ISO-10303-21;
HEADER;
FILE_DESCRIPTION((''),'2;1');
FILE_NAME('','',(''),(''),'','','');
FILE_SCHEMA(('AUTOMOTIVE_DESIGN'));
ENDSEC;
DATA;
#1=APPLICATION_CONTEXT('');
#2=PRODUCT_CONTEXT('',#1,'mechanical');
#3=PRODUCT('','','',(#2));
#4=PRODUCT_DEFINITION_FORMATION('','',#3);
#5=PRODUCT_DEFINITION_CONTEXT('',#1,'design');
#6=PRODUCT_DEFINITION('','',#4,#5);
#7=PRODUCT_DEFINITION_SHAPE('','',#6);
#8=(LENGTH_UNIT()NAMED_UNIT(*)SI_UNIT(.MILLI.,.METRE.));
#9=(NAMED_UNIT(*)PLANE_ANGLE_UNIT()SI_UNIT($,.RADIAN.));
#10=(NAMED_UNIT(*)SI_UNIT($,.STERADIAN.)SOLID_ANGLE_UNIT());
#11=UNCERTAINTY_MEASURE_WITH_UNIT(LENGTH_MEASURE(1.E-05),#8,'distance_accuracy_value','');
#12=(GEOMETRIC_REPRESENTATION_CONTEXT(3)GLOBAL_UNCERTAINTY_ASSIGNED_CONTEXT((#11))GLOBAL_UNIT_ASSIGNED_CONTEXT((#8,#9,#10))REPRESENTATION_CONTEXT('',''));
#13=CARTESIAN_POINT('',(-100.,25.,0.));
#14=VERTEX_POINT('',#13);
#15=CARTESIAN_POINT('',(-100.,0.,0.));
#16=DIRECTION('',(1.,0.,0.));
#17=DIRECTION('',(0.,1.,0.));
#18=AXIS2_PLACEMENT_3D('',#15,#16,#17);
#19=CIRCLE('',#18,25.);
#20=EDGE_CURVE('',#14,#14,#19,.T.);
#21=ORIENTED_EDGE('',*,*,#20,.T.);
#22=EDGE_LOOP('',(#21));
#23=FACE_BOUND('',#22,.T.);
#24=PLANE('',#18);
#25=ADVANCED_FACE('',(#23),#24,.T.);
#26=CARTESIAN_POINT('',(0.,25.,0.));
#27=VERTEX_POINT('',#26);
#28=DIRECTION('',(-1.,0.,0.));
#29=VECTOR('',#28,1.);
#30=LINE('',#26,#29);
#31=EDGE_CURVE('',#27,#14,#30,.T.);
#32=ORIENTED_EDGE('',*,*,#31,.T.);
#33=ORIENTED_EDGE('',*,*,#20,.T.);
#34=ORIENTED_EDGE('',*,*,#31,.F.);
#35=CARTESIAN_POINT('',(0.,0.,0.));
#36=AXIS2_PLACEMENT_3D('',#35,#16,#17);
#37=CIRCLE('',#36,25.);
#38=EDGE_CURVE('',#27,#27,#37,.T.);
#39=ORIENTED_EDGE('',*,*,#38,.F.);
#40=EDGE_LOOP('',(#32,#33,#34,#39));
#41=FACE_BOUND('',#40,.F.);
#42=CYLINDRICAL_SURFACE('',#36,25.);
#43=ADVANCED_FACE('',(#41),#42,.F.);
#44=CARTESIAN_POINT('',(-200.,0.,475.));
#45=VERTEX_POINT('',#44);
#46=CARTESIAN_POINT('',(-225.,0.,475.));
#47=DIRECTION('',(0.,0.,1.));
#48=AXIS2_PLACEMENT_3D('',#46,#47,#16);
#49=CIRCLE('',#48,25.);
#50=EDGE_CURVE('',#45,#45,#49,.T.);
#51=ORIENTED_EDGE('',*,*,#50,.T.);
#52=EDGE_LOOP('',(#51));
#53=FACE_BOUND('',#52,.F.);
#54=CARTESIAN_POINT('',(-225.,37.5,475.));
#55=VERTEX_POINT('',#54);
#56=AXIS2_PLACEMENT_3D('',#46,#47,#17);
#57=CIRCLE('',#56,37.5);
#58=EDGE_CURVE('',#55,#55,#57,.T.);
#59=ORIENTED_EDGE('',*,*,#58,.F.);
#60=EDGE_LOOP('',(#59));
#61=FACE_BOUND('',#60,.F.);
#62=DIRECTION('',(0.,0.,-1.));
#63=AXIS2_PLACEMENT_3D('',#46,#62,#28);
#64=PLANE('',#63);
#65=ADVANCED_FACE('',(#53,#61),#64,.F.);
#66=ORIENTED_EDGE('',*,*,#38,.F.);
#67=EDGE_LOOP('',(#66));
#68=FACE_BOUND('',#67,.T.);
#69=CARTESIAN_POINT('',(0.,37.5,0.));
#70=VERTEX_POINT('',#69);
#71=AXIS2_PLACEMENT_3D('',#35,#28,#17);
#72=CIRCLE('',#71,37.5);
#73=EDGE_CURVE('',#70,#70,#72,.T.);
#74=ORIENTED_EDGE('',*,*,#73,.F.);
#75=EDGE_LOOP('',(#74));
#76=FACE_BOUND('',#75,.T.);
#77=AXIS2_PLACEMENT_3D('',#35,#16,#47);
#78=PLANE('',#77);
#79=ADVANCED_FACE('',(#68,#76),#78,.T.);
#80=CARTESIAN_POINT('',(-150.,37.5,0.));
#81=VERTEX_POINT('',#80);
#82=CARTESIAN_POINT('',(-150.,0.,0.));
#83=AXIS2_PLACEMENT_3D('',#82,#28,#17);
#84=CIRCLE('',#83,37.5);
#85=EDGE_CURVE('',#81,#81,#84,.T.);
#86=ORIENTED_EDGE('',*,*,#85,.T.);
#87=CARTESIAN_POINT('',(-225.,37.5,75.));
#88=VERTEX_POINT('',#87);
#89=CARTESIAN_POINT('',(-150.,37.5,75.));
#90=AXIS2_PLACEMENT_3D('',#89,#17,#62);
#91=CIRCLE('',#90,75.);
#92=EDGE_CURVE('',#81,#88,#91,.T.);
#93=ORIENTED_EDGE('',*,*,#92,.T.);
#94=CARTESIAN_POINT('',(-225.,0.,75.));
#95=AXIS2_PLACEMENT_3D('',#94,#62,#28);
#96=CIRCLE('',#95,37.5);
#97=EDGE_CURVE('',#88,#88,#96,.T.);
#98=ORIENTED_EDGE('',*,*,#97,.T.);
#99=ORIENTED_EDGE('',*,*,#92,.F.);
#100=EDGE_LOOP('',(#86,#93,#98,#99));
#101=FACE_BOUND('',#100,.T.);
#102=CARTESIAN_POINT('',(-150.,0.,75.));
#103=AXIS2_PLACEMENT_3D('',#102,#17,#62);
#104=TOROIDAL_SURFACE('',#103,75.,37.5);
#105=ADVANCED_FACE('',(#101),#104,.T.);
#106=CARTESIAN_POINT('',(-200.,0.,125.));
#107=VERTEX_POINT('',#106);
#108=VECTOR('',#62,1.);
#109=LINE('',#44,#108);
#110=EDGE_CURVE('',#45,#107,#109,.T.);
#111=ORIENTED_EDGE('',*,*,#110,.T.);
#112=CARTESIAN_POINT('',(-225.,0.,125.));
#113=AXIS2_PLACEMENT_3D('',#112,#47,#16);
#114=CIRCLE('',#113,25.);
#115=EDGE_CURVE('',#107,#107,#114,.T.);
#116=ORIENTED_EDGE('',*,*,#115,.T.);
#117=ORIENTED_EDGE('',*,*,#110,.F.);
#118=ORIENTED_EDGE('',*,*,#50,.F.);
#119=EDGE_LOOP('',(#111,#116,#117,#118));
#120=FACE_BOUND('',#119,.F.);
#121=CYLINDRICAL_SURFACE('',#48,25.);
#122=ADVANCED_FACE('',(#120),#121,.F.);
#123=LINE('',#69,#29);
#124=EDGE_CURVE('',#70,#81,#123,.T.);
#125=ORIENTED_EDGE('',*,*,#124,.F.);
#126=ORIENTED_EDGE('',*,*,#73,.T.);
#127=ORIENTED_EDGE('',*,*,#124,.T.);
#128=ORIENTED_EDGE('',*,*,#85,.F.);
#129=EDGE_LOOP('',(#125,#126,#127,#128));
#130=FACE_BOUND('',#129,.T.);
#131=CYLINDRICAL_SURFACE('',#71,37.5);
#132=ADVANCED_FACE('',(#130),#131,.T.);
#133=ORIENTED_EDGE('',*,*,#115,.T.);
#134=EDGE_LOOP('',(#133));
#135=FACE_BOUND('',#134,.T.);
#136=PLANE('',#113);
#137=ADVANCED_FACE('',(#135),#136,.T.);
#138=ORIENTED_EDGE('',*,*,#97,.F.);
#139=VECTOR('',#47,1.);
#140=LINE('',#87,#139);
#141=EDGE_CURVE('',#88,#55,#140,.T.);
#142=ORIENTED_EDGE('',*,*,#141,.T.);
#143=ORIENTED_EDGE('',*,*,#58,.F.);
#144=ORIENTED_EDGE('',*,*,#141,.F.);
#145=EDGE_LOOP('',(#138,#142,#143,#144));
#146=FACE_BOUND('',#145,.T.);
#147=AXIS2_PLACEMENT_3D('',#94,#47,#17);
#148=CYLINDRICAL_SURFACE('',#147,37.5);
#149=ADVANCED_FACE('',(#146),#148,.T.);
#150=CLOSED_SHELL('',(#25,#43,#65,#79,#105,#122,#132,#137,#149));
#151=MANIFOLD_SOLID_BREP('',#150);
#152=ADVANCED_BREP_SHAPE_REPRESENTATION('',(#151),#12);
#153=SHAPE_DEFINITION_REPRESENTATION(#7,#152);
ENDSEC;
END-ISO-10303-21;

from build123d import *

# Parameters (mm, degrees)
F0_R     = 37.5
F3_R     = 25
F4_DEPTH = 350
F5_R     = 25
F6_DEPTH = 100


with BuildPart() as f2:
    # F2: sweep along a path in F1
    with BuildLine(Plane.XZ) as f2_path:
        Line((0, 0), (-150, 0))
        ThreePointArc((-150, 0), (-203.033008589, 21.966991411), (-225, 75))
        Line((-225, 75), (-225, 475))
    # F0 (on Right) → F2 (sweep)
    with BuildSketch(Plane.YZ):
        Circle(F0_R)
    sweep(path=f2_path.line)

    # F3 (on face) → F4 (cut)
    with BuildSketch(Plane.XY.offset(475)):
        with Locations((-225, 0)):
            Circle(F3_R)
    extrude(amount=-F4_DEPTH, mode=Mode.SUBTRACT)

    # F5 (on face) → F6 (cut)
    with BuildSketch(Plane.YZ):
        Circle(F5_R)
    extrude(amount=-F6_DEPTH, mode=Mode.SUBTRACT)


solid = f2.part
